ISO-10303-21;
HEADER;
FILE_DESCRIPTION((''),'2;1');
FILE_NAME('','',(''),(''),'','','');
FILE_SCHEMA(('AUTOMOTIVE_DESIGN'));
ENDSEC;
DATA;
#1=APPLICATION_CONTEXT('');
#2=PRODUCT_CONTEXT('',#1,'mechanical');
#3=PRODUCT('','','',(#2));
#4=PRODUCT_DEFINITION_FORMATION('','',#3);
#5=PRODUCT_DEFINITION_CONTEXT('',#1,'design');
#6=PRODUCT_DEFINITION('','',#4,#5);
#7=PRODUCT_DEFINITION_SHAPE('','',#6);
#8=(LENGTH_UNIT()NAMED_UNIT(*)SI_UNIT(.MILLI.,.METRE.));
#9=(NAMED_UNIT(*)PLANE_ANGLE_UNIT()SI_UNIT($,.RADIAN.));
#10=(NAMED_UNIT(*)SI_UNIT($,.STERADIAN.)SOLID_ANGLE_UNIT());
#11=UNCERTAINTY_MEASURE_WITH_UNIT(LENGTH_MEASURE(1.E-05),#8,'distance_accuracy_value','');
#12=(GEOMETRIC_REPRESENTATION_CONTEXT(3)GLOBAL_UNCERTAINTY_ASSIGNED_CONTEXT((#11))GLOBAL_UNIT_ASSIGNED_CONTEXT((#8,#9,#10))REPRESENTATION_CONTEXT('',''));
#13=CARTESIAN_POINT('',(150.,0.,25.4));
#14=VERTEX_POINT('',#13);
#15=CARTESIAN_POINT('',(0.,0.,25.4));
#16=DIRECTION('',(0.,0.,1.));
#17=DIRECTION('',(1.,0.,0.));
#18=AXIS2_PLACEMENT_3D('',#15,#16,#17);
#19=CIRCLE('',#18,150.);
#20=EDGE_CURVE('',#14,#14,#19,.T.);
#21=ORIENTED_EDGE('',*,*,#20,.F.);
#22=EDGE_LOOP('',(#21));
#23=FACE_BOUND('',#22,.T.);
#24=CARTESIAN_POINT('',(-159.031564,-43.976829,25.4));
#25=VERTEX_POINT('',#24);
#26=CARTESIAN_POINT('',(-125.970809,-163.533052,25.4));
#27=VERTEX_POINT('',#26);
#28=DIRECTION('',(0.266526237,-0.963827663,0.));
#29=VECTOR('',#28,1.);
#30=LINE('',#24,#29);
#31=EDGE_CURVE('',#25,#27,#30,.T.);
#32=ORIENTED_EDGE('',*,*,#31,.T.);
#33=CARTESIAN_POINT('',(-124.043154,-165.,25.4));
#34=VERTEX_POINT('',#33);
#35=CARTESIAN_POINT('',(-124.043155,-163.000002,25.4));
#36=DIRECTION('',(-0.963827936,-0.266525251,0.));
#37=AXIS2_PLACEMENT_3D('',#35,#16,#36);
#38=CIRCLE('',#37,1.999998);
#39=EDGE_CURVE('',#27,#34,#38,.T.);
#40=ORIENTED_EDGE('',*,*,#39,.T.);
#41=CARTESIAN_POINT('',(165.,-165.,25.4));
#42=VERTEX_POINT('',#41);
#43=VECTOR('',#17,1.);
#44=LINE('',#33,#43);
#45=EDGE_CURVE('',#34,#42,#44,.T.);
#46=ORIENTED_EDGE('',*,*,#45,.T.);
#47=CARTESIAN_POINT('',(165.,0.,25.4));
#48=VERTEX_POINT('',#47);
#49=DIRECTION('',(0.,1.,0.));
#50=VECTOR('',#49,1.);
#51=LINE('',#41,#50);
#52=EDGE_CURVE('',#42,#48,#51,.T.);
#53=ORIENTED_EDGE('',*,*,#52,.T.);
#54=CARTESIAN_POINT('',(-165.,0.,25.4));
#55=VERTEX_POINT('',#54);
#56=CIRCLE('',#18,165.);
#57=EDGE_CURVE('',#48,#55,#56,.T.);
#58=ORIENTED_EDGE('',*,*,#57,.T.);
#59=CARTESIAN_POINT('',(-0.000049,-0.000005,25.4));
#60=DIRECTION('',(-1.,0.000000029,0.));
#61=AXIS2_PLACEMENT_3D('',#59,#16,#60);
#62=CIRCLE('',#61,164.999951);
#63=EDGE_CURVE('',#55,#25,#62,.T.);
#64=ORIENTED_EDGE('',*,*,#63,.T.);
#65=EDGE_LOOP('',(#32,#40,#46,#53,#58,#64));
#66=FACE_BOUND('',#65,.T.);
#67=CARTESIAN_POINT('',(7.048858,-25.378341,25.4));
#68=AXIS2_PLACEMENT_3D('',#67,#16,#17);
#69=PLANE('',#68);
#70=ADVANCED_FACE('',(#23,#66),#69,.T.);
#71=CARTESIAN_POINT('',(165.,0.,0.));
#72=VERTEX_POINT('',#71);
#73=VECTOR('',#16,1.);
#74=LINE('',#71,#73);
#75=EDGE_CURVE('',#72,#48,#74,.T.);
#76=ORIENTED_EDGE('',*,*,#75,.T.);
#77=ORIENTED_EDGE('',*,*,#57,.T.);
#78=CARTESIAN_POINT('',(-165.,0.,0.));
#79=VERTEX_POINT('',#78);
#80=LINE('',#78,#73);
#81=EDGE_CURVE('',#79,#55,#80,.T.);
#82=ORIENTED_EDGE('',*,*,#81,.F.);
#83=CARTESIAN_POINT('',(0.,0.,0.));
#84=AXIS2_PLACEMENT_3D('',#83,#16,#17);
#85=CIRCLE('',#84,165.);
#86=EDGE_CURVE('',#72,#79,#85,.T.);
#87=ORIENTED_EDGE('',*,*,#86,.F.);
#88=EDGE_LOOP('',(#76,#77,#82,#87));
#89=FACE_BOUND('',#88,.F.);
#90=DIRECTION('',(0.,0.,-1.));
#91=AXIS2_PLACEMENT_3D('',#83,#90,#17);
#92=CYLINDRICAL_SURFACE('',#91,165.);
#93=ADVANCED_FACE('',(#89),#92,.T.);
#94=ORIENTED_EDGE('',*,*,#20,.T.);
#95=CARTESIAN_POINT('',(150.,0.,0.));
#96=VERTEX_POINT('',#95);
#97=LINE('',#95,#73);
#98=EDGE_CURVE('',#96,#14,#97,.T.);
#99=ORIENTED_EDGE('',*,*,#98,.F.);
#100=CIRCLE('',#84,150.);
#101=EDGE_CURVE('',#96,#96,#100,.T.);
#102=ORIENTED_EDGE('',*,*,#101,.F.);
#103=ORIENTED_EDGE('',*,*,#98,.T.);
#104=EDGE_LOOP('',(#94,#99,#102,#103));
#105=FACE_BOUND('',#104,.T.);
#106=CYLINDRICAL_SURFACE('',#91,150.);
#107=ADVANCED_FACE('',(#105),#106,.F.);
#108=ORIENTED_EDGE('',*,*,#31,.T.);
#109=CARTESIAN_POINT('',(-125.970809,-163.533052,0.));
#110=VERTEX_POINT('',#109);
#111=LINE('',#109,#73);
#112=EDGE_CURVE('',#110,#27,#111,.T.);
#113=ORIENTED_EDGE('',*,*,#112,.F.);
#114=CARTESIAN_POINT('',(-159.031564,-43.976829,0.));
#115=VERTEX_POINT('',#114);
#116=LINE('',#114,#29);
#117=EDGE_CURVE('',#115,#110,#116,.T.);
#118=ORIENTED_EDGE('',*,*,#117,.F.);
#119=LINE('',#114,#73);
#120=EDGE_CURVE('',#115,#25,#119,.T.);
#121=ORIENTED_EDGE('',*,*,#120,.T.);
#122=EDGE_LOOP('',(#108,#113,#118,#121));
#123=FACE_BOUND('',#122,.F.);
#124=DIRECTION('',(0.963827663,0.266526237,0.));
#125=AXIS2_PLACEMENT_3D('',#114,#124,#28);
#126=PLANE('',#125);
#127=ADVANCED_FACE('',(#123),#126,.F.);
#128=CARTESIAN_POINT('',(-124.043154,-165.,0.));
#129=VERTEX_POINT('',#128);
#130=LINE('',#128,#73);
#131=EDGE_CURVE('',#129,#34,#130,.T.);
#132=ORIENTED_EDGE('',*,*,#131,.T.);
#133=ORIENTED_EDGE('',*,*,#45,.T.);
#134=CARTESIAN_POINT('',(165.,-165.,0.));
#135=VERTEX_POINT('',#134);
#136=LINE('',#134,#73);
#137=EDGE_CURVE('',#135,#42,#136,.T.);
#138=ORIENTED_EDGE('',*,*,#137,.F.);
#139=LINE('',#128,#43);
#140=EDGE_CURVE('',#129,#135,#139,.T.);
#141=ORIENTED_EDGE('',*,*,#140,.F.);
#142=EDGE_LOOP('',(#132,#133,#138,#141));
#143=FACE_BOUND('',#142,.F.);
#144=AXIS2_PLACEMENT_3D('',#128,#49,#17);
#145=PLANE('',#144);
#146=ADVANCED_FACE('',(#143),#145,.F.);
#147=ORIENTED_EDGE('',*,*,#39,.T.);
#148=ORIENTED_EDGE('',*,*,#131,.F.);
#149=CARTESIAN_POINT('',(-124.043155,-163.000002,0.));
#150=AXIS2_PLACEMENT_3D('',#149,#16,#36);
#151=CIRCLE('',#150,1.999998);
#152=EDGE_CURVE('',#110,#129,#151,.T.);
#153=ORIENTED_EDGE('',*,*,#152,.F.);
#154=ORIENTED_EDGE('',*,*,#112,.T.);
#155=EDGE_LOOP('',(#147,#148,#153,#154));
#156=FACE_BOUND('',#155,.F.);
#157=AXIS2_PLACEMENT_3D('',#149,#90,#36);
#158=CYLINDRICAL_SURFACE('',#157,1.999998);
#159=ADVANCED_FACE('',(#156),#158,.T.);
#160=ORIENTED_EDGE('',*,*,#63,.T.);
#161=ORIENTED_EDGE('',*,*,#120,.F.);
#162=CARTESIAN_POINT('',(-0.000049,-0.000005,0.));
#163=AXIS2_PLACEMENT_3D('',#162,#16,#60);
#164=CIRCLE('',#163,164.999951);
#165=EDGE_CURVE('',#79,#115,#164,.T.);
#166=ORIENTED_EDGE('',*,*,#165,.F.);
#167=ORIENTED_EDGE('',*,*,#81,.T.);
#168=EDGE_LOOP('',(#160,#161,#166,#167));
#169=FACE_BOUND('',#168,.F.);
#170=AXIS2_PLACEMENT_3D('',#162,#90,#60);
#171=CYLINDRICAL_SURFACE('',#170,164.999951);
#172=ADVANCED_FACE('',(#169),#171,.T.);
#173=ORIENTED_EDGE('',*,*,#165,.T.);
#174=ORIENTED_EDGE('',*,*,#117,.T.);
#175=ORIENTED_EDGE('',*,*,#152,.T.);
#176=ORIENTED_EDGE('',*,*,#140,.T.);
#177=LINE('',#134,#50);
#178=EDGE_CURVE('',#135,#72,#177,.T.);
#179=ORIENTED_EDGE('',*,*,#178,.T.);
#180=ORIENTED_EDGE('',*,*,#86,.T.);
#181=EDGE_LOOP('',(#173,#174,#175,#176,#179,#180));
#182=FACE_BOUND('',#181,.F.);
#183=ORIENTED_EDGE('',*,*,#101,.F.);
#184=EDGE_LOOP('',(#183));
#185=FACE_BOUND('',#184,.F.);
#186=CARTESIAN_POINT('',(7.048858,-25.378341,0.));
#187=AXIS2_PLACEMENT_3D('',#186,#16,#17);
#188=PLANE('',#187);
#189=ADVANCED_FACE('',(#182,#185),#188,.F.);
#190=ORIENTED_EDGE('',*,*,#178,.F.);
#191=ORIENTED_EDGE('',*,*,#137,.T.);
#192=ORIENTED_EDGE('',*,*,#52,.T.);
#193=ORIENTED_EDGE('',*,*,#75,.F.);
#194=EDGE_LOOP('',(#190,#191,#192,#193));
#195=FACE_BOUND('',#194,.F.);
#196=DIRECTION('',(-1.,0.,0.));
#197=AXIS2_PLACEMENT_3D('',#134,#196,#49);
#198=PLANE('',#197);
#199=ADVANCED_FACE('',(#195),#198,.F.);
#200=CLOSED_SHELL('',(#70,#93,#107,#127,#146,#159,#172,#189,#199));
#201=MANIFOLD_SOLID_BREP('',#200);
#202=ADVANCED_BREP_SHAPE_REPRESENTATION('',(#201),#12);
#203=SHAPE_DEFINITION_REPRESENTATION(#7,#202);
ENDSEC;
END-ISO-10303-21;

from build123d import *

# Parameters (mm, degrees)
F0_R     = 150
F1_DEPTH = 25.4


with BuildPart() as f1:
    # F0 (on Top) → F1 (new body)
    with BuildSketch(Plane.XY):
        with BuildLine():
            Line((0, -165), (165, -165))
            Line((165, -165), (165, 0))
            ThreePointArc((165, 0), (0, 165), (-165, 0))
            ThreePointArc((-165, 0), (-163.501083, -22.189996), (-159.031564, -43.976829))
            Line((-159.031564, -43.976829), (-125.970809, -163.533052))
            ThreePointArc((-125.970809, -163.533052), (-125.25433, -164.591557), (-124.043154, -165))
            Line((-124.043154, -165), (0, -165))
        make_face()
        Circle(F0_R, mode=Mode.SUBTRACT)
    extrude(amount=F1_DEPTH)


solid = f1.part
